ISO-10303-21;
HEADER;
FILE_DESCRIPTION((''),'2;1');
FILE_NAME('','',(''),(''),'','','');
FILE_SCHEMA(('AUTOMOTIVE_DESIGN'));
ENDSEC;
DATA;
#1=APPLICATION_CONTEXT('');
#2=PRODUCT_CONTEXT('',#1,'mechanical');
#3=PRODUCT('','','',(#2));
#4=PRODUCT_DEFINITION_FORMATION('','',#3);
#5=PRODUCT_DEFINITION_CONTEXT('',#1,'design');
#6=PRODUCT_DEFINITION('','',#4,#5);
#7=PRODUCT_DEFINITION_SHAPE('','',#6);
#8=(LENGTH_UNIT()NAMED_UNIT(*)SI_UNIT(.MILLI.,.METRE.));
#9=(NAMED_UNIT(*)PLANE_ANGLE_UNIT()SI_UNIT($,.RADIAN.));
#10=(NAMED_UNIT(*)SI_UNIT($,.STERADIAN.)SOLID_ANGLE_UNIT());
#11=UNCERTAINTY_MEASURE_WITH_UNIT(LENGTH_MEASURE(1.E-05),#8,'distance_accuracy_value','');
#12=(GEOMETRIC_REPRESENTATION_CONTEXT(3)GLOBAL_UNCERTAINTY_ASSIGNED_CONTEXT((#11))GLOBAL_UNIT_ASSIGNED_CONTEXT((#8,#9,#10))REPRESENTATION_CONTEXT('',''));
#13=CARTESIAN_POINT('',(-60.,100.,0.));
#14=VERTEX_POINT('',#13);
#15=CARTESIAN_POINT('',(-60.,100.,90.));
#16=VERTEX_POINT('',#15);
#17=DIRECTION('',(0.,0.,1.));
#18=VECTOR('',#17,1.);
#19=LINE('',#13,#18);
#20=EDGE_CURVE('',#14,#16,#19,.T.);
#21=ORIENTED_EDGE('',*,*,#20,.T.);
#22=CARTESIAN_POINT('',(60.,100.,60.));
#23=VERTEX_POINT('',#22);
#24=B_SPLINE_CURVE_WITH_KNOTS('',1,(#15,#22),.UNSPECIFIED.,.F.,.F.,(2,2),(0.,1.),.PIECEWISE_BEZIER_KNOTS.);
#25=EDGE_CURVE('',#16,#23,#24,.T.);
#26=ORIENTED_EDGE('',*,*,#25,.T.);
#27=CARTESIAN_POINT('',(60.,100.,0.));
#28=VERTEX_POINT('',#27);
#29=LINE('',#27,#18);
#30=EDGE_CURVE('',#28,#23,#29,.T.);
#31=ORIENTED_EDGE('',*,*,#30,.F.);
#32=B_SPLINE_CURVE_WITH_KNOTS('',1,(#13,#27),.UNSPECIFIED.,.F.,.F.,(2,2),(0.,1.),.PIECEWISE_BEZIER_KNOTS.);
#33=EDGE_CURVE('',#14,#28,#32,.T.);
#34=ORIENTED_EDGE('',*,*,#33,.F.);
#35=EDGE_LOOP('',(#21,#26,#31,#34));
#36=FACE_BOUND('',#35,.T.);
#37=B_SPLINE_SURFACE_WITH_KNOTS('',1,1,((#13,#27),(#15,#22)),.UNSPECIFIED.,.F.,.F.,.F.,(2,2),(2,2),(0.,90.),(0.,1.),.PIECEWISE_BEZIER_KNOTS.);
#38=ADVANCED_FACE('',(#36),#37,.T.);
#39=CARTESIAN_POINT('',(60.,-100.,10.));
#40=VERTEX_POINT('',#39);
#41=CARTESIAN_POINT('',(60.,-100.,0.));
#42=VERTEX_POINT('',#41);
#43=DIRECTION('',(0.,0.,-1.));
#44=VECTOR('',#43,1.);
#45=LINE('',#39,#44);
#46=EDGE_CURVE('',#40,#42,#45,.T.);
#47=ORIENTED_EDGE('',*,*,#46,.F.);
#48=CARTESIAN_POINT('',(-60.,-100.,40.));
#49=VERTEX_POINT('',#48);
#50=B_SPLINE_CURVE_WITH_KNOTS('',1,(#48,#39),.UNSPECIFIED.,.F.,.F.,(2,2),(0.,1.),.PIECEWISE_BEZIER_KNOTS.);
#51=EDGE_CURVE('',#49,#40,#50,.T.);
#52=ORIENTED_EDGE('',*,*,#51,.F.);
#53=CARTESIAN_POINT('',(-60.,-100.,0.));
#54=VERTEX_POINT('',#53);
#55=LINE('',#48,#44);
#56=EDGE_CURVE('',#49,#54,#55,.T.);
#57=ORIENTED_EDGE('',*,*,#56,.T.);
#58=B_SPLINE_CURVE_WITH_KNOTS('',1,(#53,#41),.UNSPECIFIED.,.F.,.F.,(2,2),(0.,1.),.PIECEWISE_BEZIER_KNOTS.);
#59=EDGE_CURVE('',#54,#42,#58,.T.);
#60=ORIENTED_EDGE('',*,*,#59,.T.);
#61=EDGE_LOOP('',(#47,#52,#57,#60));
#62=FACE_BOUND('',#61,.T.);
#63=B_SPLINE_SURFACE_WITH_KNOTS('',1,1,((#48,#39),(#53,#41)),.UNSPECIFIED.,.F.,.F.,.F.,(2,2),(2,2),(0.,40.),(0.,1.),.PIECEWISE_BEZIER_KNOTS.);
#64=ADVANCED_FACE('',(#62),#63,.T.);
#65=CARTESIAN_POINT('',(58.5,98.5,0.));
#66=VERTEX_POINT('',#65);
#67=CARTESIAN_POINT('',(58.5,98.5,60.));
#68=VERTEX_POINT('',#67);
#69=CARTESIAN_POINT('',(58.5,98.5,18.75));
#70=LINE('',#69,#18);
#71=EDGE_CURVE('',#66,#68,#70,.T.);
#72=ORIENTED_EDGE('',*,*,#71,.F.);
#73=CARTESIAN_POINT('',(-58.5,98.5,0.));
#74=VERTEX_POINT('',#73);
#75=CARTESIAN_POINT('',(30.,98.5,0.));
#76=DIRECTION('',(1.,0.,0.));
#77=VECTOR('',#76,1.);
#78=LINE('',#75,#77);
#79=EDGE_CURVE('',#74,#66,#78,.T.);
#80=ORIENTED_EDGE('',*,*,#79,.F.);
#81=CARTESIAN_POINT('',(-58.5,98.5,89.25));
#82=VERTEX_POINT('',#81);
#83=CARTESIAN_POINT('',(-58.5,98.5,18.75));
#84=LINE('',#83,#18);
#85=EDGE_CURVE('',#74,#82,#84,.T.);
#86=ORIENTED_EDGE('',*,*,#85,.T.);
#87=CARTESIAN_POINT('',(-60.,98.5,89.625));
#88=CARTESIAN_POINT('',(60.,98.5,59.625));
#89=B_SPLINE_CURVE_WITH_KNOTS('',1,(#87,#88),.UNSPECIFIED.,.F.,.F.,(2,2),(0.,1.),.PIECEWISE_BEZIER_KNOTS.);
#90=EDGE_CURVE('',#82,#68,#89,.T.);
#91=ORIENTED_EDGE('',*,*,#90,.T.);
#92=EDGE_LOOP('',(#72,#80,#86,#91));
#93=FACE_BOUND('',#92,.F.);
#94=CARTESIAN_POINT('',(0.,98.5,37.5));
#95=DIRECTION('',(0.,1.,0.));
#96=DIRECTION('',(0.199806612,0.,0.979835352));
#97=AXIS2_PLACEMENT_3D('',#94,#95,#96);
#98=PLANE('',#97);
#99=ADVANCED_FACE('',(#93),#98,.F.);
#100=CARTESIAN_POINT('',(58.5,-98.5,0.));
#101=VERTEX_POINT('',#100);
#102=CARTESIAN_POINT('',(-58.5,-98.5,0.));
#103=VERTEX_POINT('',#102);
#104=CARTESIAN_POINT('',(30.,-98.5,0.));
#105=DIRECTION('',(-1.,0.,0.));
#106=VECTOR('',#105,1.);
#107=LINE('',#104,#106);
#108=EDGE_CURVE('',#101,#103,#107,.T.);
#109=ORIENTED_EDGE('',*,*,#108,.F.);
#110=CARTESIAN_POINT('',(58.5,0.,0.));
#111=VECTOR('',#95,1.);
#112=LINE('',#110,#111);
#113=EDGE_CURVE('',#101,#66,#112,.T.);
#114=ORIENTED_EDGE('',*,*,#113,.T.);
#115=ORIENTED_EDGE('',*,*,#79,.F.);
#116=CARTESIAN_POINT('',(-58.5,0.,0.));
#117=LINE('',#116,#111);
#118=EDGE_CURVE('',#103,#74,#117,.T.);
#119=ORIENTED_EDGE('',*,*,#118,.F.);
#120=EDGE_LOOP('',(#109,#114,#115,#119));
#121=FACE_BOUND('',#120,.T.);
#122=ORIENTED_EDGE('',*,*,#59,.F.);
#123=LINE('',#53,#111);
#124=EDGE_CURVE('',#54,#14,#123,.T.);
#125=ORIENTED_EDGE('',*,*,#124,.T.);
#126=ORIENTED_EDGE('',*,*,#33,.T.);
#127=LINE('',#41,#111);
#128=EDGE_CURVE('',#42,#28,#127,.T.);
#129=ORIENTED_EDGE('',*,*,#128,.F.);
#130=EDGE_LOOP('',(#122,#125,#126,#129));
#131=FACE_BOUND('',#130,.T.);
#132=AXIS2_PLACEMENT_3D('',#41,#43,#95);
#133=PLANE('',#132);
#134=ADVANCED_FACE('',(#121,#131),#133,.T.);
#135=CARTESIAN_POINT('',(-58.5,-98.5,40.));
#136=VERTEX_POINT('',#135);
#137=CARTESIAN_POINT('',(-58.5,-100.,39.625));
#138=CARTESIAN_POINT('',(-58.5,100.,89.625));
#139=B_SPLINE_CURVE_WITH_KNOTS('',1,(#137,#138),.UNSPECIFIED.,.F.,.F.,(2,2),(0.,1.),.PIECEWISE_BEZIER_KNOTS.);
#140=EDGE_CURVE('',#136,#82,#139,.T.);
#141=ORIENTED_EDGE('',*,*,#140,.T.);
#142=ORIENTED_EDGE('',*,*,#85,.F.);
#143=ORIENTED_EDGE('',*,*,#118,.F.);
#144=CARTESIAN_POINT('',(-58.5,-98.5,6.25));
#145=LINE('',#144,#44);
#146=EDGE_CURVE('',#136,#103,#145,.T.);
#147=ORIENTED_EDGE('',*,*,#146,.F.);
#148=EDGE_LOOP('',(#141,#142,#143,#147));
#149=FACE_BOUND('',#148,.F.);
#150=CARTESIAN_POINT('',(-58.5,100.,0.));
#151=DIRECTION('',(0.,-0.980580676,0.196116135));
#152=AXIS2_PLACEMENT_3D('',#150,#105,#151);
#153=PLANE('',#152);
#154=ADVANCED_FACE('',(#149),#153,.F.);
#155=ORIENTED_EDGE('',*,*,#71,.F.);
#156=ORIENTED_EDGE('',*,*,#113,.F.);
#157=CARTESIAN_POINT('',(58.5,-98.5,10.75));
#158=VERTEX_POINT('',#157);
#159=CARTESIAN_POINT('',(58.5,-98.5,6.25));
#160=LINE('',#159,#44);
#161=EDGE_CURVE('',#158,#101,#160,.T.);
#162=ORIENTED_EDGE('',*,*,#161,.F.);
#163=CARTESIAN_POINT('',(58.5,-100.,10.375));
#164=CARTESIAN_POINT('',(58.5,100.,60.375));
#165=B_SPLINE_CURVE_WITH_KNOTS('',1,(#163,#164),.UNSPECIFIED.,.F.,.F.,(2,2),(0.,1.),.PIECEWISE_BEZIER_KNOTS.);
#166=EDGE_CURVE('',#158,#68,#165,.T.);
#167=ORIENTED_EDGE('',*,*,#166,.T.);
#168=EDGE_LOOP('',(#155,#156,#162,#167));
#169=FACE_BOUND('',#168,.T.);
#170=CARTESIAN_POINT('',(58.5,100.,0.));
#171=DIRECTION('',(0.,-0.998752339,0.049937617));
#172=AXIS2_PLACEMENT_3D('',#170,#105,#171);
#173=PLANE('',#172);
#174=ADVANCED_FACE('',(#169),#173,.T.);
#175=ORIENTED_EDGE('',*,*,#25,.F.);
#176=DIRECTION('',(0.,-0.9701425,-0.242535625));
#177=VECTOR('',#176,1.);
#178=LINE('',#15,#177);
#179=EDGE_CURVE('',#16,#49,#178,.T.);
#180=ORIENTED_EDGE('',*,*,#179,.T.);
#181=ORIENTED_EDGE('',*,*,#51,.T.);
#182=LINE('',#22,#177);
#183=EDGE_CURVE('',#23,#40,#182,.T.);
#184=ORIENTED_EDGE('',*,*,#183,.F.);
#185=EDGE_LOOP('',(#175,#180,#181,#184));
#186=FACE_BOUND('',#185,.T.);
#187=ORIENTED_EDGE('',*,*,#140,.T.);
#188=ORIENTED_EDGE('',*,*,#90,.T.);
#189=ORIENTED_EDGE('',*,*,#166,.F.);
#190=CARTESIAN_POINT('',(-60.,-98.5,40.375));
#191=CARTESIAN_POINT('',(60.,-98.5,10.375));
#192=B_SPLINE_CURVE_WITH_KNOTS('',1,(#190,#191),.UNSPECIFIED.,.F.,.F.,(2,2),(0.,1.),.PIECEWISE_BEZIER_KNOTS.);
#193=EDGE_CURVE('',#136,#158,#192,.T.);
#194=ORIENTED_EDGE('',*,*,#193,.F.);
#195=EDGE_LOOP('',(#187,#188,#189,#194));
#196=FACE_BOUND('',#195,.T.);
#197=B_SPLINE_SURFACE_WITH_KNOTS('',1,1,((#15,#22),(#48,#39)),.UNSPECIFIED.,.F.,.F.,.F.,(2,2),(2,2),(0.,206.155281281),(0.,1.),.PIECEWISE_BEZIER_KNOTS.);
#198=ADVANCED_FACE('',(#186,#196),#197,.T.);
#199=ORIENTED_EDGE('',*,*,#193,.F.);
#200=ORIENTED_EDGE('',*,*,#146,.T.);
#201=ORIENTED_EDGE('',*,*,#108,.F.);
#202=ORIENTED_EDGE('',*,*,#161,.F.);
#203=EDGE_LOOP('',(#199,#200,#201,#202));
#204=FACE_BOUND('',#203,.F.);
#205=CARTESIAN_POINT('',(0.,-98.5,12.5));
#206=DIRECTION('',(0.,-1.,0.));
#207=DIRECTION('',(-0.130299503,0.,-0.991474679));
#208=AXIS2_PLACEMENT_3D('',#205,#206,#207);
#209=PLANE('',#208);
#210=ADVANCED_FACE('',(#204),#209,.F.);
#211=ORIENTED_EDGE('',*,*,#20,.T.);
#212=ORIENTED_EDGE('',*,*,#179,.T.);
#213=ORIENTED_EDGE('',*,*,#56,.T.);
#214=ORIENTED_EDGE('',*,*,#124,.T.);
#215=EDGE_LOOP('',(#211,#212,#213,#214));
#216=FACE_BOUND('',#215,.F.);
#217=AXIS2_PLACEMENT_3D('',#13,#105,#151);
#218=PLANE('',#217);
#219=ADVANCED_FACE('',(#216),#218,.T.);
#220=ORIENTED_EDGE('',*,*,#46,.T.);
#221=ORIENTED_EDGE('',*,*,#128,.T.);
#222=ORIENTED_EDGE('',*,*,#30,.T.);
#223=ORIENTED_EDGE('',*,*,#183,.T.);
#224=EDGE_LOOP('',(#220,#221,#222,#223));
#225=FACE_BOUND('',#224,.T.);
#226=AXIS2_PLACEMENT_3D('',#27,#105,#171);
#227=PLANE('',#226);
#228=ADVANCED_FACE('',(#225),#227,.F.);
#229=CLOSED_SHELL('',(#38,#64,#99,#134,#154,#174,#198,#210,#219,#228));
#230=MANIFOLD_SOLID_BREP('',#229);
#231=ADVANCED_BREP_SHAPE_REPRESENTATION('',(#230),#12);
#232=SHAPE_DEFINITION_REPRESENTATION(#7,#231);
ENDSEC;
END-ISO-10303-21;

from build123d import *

# Parameters (mm, degrees)
F10_T = -1.5


with BuildPart() as f9:
    # F8 (on plane+point) → F9 section 0
    with BuildSketch(Plane.YZ.offset(-60)):
        Polygon((100, 0), (100, 90), (-100, 40), (-100, 0), align=None)
    # F6 (on plane+point) → F9 section 1
    with BuildSketch(Plane.YZ.offset(60)):
        Polygon((100, 60), (-100, 10), (-100, 0), (100, 0), align=None)
    loft()

    # F10
    f10_openings = [f9.faces().sort_by_distance(p)[0] for p in [
        (0, 0, 0),
        (0, 0, 50),
    ]]
    offset(amount=F10_T, openings=f10_openings, kind=Kind.INTERSECTION)


solid = f9.part
